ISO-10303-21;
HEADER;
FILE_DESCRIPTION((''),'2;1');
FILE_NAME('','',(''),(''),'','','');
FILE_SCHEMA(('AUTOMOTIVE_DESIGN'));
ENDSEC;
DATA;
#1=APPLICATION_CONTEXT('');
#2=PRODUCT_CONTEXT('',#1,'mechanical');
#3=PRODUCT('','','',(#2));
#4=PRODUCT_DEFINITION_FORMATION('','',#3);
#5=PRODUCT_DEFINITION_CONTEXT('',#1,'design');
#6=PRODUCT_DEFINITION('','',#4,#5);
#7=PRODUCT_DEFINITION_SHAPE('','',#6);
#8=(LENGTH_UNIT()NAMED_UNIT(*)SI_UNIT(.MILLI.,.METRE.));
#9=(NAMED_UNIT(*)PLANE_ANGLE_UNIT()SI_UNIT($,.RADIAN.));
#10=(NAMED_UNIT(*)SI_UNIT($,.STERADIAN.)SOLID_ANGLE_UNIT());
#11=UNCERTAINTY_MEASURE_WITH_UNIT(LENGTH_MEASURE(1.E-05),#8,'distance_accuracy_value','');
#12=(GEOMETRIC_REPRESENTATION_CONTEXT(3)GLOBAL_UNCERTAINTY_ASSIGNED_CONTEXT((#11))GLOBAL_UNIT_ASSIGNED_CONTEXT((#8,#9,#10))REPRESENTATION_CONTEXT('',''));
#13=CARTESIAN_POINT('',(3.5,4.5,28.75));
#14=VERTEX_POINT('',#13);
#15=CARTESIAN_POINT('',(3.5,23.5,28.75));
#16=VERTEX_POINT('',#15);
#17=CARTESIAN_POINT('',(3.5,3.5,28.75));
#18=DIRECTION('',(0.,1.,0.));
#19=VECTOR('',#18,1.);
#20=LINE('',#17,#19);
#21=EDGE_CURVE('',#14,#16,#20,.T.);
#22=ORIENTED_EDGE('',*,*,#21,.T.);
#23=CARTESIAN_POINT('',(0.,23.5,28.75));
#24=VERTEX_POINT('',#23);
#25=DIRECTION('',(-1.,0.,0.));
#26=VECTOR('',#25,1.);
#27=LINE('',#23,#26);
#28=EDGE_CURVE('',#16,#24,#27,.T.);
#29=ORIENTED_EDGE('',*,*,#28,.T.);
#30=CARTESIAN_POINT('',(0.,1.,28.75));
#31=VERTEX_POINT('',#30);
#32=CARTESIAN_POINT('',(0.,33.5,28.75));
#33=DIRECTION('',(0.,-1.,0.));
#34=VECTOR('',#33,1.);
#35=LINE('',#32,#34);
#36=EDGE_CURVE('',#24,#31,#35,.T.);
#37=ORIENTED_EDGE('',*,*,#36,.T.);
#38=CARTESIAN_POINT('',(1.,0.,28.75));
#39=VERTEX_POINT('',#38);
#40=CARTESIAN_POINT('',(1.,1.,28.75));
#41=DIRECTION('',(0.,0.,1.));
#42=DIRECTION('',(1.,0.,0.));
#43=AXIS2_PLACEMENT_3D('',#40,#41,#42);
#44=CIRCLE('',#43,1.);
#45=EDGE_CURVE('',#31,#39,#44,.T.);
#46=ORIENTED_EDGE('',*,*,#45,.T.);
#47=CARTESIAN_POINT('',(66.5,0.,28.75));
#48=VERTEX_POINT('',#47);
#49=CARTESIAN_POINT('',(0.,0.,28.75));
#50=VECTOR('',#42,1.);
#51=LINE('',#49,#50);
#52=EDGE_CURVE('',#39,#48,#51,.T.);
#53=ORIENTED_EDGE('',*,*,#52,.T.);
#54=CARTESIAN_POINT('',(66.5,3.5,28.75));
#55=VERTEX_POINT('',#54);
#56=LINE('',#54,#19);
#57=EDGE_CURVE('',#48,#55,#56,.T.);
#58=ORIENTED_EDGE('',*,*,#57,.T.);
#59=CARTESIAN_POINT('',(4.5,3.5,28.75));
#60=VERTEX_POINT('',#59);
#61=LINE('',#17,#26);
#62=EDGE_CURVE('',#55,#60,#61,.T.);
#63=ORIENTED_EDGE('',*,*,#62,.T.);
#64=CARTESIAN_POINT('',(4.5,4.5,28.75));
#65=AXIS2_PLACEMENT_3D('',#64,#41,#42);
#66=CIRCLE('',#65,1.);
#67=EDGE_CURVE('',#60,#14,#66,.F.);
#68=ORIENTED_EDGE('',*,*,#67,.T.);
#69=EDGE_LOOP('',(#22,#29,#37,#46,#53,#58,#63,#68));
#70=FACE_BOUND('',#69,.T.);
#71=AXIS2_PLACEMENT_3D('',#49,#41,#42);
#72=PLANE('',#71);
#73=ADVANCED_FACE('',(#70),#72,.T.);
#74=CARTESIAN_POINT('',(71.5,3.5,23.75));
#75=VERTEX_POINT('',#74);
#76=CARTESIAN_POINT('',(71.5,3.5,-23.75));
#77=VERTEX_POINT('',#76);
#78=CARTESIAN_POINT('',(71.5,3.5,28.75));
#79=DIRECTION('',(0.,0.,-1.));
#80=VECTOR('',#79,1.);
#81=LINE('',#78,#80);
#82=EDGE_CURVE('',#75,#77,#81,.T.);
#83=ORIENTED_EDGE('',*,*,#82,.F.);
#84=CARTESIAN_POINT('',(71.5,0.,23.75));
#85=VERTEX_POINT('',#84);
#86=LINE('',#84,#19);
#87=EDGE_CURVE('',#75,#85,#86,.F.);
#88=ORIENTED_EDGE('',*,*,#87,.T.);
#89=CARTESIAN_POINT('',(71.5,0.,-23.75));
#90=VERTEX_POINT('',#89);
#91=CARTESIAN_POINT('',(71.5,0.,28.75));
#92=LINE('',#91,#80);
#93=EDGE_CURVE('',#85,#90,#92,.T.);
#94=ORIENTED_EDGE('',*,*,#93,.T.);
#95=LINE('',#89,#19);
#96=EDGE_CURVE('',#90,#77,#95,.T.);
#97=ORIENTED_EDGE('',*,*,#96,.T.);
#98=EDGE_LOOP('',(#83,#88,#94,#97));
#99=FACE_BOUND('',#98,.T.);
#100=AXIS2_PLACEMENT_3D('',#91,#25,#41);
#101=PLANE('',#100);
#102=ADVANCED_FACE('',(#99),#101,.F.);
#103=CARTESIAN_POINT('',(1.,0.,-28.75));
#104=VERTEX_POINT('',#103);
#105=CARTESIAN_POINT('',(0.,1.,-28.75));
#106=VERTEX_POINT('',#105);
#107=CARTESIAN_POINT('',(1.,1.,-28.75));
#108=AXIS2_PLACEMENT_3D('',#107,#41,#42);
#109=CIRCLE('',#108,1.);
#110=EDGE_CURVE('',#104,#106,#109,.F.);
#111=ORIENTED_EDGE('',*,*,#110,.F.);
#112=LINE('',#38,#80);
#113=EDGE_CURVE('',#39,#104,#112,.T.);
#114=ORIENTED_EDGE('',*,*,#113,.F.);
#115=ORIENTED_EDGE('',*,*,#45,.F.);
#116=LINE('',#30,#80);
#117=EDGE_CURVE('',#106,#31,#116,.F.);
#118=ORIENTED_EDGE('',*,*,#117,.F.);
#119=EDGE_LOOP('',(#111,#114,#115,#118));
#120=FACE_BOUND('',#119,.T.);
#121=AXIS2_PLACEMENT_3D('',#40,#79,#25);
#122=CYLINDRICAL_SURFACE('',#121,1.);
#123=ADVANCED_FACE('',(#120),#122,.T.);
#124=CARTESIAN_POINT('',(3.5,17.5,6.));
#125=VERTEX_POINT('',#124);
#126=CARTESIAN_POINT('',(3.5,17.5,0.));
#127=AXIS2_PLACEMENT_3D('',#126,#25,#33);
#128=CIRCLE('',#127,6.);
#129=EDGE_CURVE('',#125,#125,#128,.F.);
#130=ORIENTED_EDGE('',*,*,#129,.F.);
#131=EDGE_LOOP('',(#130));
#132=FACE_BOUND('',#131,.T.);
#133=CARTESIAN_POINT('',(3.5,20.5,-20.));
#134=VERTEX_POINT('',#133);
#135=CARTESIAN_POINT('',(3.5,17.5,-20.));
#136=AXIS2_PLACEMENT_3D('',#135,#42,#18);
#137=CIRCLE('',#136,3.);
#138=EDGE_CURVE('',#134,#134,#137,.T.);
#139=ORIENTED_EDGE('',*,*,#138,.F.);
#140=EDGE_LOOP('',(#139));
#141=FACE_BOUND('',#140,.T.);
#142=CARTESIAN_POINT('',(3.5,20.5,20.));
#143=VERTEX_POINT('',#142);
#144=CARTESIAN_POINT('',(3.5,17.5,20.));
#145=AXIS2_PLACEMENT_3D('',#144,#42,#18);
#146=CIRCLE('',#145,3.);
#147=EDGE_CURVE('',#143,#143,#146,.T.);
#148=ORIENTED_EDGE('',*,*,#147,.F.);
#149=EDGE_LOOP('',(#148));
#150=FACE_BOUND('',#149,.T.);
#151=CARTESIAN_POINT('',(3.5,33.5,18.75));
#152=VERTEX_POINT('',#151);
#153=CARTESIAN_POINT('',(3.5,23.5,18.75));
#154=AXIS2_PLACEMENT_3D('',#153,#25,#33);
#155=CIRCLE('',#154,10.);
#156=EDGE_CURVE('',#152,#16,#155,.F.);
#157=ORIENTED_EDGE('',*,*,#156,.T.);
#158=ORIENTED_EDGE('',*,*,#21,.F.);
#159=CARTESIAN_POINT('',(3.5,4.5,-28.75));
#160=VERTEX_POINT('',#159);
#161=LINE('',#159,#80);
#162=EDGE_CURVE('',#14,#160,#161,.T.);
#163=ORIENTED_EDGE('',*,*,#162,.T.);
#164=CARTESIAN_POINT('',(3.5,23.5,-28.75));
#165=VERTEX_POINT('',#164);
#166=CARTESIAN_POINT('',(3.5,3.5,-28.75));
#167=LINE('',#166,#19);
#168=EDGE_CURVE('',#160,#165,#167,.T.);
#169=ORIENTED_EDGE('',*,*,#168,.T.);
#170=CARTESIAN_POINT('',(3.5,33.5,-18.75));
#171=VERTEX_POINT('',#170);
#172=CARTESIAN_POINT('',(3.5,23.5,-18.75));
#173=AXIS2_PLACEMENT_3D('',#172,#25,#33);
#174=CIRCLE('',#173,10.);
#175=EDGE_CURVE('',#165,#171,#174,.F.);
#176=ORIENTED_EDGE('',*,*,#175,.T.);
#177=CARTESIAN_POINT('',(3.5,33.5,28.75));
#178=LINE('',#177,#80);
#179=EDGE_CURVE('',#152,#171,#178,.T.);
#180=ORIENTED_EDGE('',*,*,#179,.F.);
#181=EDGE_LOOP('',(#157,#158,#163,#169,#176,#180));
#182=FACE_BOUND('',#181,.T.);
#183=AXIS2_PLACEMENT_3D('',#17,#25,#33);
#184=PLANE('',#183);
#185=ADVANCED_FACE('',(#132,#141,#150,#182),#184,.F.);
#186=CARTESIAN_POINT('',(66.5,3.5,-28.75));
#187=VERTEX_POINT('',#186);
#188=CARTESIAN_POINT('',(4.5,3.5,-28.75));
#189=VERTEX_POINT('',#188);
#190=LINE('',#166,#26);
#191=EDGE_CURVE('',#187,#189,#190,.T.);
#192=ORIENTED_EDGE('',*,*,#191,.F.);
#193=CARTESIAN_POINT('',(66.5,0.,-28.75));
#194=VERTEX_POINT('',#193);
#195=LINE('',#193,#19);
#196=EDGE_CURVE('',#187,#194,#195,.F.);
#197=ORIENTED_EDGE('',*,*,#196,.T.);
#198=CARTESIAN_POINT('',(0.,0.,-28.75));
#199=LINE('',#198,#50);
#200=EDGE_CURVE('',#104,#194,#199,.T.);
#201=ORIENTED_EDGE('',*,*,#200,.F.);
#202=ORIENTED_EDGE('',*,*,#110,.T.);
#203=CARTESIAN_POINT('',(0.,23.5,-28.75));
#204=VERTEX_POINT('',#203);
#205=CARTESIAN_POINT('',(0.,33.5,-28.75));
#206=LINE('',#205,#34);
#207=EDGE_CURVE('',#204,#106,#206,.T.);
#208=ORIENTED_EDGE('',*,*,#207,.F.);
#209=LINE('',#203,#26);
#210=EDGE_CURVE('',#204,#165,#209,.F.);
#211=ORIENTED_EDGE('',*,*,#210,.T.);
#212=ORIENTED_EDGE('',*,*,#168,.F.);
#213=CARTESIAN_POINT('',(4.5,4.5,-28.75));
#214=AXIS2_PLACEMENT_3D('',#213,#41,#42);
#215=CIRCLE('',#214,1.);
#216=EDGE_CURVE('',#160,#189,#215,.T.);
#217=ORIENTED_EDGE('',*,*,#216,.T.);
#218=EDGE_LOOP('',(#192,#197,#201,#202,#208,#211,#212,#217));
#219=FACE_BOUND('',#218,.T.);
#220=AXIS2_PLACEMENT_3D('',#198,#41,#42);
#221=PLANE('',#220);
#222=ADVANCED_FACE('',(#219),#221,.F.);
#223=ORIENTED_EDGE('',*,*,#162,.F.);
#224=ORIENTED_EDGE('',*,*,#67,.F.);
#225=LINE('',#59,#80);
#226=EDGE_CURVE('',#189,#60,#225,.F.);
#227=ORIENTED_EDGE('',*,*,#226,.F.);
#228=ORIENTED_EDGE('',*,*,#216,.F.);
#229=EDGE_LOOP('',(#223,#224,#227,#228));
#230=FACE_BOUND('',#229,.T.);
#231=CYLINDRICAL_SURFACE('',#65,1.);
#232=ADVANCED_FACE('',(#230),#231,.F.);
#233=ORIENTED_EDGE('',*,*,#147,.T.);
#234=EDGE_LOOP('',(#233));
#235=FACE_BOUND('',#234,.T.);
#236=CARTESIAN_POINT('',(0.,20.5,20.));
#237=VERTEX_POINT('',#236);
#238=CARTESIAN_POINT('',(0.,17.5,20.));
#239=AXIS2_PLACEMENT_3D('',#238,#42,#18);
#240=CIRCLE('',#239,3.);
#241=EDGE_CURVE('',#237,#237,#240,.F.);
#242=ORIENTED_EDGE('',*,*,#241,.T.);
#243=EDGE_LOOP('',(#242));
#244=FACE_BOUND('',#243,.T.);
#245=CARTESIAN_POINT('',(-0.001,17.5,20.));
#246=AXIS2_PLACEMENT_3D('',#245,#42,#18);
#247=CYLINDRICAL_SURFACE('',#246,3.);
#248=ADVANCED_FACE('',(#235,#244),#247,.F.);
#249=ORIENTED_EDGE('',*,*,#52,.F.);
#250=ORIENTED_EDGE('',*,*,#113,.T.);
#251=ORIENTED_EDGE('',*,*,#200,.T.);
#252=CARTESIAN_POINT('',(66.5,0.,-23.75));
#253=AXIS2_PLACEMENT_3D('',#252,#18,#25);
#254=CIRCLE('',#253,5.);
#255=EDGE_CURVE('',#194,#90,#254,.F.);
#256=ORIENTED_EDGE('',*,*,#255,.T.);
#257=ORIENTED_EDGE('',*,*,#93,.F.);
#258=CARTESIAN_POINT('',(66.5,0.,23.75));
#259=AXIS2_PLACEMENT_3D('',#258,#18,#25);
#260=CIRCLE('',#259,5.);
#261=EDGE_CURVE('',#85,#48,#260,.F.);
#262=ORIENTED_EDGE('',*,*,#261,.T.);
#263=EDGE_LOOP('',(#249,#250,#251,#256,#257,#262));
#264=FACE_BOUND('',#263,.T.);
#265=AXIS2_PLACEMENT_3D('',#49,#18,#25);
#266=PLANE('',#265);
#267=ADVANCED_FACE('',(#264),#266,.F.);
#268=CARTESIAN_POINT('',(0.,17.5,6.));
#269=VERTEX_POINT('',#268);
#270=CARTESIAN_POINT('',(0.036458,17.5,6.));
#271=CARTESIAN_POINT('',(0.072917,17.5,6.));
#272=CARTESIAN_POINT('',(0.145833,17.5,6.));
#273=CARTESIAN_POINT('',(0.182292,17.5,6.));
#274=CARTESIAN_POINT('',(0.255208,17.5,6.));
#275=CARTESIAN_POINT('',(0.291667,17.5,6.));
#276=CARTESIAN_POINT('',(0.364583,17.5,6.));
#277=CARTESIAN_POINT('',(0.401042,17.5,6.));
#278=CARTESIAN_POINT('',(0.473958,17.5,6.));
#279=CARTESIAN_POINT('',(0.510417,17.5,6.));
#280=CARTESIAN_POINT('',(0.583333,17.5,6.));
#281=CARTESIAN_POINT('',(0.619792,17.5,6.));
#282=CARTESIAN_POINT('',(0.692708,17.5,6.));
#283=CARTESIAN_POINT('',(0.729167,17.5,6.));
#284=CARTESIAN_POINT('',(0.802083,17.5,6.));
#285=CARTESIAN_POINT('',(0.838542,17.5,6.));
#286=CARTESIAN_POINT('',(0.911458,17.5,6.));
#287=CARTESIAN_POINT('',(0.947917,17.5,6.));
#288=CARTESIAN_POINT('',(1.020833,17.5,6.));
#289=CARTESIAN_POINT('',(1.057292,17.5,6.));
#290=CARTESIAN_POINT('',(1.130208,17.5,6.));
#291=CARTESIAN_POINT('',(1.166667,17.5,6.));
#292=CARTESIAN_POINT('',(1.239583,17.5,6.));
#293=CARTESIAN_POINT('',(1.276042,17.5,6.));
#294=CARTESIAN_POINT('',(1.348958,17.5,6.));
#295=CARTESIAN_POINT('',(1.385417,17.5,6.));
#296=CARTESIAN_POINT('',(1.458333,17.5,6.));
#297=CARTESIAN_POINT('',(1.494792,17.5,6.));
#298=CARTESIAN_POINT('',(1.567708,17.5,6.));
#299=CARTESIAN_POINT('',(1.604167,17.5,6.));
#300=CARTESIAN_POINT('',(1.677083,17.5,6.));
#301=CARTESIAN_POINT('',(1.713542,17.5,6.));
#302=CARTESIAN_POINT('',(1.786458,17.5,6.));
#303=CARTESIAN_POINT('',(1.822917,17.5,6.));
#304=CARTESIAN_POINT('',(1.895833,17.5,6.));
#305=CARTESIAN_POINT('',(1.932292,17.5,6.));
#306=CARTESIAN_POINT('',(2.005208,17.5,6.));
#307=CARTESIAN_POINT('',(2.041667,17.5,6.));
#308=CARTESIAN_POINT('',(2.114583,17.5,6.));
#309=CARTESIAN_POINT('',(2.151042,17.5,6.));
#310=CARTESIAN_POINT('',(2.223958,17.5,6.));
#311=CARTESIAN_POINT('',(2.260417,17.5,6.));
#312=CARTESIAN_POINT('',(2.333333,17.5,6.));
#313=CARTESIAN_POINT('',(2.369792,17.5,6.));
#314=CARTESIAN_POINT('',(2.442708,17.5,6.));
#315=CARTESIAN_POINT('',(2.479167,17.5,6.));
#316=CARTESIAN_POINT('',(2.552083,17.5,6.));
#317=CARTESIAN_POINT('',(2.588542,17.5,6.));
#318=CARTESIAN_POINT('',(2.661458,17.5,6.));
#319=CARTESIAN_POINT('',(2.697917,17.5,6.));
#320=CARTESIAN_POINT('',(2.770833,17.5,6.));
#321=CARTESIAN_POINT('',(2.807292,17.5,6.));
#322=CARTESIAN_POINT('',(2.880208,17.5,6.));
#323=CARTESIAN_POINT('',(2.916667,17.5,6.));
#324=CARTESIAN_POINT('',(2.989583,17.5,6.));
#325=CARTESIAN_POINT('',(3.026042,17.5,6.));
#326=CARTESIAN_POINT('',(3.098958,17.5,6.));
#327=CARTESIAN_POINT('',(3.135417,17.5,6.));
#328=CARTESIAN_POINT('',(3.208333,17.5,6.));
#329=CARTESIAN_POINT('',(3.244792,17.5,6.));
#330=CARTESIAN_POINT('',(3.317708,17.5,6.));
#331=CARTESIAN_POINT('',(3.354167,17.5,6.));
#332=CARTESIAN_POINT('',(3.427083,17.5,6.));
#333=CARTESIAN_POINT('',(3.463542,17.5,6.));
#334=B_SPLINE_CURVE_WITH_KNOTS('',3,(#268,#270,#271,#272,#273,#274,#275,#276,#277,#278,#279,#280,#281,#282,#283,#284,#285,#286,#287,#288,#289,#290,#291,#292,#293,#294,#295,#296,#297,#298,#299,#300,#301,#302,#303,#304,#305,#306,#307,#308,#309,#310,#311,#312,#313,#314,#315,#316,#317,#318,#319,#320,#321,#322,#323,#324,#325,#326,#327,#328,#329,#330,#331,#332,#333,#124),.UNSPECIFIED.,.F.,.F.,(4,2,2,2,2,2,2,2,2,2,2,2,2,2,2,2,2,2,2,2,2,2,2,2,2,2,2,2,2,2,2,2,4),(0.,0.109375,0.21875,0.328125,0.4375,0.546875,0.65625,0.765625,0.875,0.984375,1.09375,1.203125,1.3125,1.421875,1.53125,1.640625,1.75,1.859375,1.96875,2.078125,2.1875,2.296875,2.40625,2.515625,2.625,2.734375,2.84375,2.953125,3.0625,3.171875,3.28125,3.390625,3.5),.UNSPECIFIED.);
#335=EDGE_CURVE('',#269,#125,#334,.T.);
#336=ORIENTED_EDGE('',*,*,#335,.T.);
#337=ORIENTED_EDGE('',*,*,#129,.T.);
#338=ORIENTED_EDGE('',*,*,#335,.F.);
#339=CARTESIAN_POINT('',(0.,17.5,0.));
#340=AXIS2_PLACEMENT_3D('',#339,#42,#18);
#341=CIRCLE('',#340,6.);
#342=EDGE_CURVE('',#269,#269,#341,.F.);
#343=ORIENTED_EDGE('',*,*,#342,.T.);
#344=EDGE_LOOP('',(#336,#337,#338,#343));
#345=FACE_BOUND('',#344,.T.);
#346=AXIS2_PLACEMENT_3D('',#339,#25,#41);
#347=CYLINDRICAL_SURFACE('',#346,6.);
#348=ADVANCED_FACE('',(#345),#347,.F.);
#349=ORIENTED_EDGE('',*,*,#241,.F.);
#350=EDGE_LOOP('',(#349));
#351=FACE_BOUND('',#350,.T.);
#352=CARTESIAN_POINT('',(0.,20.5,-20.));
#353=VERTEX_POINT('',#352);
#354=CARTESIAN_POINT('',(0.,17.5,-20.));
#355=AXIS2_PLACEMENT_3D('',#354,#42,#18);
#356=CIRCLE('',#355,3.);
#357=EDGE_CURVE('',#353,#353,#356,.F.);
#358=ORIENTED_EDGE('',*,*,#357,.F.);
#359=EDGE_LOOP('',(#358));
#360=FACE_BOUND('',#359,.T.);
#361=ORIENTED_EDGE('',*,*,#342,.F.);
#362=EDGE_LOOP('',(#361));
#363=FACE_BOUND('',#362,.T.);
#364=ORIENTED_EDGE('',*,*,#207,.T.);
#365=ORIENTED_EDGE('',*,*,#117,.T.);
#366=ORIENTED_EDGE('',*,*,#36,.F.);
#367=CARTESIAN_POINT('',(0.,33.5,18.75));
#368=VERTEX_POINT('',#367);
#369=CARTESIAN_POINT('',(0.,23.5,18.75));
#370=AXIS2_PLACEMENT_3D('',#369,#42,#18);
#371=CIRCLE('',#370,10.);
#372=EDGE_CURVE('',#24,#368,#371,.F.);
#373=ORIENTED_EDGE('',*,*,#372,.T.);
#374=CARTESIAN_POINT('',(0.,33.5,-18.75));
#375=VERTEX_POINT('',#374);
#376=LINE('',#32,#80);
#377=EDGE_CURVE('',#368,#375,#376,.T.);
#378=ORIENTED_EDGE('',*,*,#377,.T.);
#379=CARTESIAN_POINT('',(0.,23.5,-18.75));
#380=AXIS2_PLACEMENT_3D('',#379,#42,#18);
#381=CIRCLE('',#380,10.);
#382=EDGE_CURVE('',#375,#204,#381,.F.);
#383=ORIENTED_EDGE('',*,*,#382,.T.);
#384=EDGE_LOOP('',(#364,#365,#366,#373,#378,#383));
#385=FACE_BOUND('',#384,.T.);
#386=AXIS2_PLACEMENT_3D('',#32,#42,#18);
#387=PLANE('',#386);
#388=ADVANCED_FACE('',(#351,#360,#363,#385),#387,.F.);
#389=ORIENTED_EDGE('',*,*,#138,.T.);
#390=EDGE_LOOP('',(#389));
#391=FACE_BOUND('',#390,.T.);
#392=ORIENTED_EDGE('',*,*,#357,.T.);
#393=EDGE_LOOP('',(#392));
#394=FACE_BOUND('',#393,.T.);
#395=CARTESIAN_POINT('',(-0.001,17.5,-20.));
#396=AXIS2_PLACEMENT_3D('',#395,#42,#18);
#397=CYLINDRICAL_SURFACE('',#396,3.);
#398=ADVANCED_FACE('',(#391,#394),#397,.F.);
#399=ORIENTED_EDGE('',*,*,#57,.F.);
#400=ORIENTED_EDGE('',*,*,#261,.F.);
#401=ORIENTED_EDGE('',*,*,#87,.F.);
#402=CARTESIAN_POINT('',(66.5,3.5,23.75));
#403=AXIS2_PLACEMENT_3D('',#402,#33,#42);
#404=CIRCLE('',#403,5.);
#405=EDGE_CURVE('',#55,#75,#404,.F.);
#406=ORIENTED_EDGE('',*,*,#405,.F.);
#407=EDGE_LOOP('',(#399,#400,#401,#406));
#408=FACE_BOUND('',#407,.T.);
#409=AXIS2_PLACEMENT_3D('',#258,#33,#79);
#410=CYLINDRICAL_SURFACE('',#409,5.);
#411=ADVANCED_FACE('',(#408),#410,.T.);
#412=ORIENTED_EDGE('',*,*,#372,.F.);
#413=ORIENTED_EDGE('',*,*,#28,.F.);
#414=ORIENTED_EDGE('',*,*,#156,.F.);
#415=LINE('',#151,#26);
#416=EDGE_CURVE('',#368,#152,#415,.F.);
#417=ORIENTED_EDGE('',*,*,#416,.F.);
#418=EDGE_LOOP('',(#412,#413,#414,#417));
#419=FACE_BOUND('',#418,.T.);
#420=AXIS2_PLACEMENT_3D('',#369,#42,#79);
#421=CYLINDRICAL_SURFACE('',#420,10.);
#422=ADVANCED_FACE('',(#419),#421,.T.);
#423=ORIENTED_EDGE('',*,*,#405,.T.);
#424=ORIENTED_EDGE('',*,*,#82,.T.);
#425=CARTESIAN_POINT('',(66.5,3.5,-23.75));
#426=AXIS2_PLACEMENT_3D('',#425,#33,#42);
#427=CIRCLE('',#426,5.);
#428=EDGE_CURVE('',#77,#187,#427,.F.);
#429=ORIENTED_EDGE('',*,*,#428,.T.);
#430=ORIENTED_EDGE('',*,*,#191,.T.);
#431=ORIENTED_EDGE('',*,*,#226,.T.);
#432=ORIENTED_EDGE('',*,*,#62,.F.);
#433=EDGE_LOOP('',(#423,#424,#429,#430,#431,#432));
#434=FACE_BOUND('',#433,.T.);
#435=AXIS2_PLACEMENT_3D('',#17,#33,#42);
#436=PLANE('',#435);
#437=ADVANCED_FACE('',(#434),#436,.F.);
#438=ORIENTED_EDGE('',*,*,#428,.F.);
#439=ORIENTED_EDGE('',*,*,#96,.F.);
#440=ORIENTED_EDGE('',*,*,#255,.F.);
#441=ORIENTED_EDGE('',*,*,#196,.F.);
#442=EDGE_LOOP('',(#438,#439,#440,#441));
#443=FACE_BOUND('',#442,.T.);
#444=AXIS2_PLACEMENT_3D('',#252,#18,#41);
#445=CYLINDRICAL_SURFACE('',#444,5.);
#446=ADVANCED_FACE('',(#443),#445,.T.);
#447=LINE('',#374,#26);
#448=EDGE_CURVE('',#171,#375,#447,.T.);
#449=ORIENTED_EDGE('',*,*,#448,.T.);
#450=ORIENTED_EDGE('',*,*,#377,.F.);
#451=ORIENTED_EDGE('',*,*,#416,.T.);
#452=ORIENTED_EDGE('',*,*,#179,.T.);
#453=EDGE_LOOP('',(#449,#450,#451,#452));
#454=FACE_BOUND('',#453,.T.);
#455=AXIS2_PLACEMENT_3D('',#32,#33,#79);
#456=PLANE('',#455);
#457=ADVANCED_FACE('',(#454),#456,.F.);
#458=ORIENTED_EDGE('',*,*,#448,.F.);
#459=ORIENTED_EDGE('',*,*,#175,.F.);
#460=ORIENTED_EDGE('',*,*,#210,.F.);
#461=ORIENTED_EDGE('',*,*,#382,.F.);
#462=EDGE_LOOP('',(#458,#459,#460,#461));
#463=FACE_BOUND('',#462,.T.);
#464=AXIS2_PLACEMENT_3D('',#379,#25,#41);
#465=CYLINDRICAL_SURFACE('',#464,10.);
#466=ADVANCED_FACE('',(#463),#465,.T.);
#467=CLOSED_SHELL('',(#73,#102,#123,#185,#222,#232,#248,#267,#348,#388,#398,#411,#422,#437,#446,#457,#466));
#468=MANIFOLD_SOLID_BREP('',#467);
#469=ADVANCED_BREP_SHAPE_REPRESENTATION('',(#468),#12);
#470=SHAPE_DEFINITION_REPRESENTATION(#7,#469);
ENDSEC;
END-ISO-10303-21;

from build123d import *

# Parameters (mm, degrees)
SALIENTE_EXTRUIR1_DEPTH    = 28.75
REDONDEO1_R                = 5
REDONDEO2_R                = 10
REDONDEO3_R                = 1
CORTAR_EXTRUIR1_REACH      = 83.073
CROQUIS2_R                 = 3
CORTAR_EXTRUIR2_DEPTH      = 184.03816325
CORTAR_EXTRUIR2_DEPTH_BACK = 184.03816325
CROQUIS4_R                 = 5.999999992


with BuildPart() as part:
    # Croquis1 → Saliente-Extruir1 (new, symmetric)
    with BuildSketch(Plane.XY):
        Polygon((0, 33.5), (0, 0), (71.5, 0), (71.5, 3.5), (3.5, 3.5), (3.5, 33.5), align=None)
    extrude(amount=SALIENTE_EXTRUIR1_DEPTH, both=True)

    # Redondeo1
    redondeo1_edges = [part.edges().sort_by_distance(p)[0] for p in [
        (71.5, 1.75, -28.75),
        (71.5, 1.75, 28.75),
    ]]
    fillet(redondeo1_edges, radius=REDONDEO1_R)

    # Redondeo2
    redondeo2_edges = [part.edges().sort_by_distance(p)[0] for p in [
        (1.75, 33.5, 28.75),
        (1.75, 33.5, -28.75),
    ]]
    fillet(redondeo2_edges, radius=REDONDEO2_R)

    # Redondeo3
    redondeo3_edges = [part.edges().sort_by_distance(p)[0] for p in [
        (0, 0, 0),
        (3.5, 3.5, 0),
    ]]
    fillet(redondeo3_edges, radius=REDONDEO3_R)

    # Croquis2 → Cortar-Extruir1 (cut, up to next)
    with BuildSketch(Plane(origin=(3.5, 0, 0), x_dir=(0, 0, -1), z_dir=(1, 0, 0)), mode=Mode.PRIVATE) as cortar_extruir1_sk1:
        with Locations(Location((0, 17.5, 0), (0, 0, 90))):
            Circle(CROQUIS2_R)
    cortar_extruir1_tool1 = extrude(cortar_extruir1_sk1.sketch, amount=-CORTAR_EXTRUIR1_REACH, mode=Mode.PRIVATE) & part.part
    # Croquis2 → Cortar-Extruir1 (cut, up to next)
    with BuildSketch(Plane(origin=(3.5, 0, 0), x_dir=(0, 0, -1), z_dir=(1, 0, 0)), mode=Mode.PRIVATE) as cortar_extruir1_sk2:
        with Locations(Location((20, 17.5, 0), (0, 0, 90))):
            Circle(CROQUIS2_R)
    cortar_extruir1_tool2 = extrude(cortar_extruir1_sk2.sketch, amount=-CORTAR_EXTRUIR1_REACH, mode=Mode.PRIVATE) & part.part
    # Croquis2 → Cortar-Extruir1 (cut, up to next)
    with BuildSketch(Plane(origin=(3.5, 0, 0), x_dir=(0, 0, -1), z_dir=(1, 0, 0)), mode=Mode.PRIVATE) as cortar_extruir1_sk3:
        with Locations(Location((-20, 17.5, 0), (0, 0, 90))):
            Circle(CROQUIS2_R)
    cortar_extruir1_tool3 = extrude(cortar_extruir1_sk3.sketch, amount=-CORTAR_EXTRUIR1_REACH, mode=Mode.PRIVATE) & part.part
    add(cortar_extruir1_tool1.solids().sort_by_distance((3.5, 17.5, 0))[0], mode=Mode.SUBTRACT)
    add(cortar_extruir1_tool2.solids().sort_by_distance((3.5, 17.5, -20))[0], mode=Mode.SUBTRACT)
    add(cortar_extruir1_tool3.solids().sort_by_distance((3.5, 17.5, 20))[0], mode=Mode.SUBTRACT)

    # Croquis4 → Cortar-Extruir2 (cut, two sides: drawn at the far end of the back side and taken through both)
    with BuildSketch(Plane(origin=(-28.4, 19.037282969, -123.435876688), x_dir=(5.237222008265864e-15, 0.866025403784376, -0.5000000000001087), z_dir=(1, 0, 0)).offset(-CORTAR_EXTRUIR2_DEPTH_BACK)):
        with Locations(Location((-63.049264441, 106.129963469, 0), (0, 0, 120))):
            Circle(CROQUIS4_R)
    extrude(amount=CORTAR_EXTRUIR2_DEPTH + CORTAR_EXTRUIR2_DEPTH_BACK, mode=Mode.SUBTRACT)


solid = part.part
